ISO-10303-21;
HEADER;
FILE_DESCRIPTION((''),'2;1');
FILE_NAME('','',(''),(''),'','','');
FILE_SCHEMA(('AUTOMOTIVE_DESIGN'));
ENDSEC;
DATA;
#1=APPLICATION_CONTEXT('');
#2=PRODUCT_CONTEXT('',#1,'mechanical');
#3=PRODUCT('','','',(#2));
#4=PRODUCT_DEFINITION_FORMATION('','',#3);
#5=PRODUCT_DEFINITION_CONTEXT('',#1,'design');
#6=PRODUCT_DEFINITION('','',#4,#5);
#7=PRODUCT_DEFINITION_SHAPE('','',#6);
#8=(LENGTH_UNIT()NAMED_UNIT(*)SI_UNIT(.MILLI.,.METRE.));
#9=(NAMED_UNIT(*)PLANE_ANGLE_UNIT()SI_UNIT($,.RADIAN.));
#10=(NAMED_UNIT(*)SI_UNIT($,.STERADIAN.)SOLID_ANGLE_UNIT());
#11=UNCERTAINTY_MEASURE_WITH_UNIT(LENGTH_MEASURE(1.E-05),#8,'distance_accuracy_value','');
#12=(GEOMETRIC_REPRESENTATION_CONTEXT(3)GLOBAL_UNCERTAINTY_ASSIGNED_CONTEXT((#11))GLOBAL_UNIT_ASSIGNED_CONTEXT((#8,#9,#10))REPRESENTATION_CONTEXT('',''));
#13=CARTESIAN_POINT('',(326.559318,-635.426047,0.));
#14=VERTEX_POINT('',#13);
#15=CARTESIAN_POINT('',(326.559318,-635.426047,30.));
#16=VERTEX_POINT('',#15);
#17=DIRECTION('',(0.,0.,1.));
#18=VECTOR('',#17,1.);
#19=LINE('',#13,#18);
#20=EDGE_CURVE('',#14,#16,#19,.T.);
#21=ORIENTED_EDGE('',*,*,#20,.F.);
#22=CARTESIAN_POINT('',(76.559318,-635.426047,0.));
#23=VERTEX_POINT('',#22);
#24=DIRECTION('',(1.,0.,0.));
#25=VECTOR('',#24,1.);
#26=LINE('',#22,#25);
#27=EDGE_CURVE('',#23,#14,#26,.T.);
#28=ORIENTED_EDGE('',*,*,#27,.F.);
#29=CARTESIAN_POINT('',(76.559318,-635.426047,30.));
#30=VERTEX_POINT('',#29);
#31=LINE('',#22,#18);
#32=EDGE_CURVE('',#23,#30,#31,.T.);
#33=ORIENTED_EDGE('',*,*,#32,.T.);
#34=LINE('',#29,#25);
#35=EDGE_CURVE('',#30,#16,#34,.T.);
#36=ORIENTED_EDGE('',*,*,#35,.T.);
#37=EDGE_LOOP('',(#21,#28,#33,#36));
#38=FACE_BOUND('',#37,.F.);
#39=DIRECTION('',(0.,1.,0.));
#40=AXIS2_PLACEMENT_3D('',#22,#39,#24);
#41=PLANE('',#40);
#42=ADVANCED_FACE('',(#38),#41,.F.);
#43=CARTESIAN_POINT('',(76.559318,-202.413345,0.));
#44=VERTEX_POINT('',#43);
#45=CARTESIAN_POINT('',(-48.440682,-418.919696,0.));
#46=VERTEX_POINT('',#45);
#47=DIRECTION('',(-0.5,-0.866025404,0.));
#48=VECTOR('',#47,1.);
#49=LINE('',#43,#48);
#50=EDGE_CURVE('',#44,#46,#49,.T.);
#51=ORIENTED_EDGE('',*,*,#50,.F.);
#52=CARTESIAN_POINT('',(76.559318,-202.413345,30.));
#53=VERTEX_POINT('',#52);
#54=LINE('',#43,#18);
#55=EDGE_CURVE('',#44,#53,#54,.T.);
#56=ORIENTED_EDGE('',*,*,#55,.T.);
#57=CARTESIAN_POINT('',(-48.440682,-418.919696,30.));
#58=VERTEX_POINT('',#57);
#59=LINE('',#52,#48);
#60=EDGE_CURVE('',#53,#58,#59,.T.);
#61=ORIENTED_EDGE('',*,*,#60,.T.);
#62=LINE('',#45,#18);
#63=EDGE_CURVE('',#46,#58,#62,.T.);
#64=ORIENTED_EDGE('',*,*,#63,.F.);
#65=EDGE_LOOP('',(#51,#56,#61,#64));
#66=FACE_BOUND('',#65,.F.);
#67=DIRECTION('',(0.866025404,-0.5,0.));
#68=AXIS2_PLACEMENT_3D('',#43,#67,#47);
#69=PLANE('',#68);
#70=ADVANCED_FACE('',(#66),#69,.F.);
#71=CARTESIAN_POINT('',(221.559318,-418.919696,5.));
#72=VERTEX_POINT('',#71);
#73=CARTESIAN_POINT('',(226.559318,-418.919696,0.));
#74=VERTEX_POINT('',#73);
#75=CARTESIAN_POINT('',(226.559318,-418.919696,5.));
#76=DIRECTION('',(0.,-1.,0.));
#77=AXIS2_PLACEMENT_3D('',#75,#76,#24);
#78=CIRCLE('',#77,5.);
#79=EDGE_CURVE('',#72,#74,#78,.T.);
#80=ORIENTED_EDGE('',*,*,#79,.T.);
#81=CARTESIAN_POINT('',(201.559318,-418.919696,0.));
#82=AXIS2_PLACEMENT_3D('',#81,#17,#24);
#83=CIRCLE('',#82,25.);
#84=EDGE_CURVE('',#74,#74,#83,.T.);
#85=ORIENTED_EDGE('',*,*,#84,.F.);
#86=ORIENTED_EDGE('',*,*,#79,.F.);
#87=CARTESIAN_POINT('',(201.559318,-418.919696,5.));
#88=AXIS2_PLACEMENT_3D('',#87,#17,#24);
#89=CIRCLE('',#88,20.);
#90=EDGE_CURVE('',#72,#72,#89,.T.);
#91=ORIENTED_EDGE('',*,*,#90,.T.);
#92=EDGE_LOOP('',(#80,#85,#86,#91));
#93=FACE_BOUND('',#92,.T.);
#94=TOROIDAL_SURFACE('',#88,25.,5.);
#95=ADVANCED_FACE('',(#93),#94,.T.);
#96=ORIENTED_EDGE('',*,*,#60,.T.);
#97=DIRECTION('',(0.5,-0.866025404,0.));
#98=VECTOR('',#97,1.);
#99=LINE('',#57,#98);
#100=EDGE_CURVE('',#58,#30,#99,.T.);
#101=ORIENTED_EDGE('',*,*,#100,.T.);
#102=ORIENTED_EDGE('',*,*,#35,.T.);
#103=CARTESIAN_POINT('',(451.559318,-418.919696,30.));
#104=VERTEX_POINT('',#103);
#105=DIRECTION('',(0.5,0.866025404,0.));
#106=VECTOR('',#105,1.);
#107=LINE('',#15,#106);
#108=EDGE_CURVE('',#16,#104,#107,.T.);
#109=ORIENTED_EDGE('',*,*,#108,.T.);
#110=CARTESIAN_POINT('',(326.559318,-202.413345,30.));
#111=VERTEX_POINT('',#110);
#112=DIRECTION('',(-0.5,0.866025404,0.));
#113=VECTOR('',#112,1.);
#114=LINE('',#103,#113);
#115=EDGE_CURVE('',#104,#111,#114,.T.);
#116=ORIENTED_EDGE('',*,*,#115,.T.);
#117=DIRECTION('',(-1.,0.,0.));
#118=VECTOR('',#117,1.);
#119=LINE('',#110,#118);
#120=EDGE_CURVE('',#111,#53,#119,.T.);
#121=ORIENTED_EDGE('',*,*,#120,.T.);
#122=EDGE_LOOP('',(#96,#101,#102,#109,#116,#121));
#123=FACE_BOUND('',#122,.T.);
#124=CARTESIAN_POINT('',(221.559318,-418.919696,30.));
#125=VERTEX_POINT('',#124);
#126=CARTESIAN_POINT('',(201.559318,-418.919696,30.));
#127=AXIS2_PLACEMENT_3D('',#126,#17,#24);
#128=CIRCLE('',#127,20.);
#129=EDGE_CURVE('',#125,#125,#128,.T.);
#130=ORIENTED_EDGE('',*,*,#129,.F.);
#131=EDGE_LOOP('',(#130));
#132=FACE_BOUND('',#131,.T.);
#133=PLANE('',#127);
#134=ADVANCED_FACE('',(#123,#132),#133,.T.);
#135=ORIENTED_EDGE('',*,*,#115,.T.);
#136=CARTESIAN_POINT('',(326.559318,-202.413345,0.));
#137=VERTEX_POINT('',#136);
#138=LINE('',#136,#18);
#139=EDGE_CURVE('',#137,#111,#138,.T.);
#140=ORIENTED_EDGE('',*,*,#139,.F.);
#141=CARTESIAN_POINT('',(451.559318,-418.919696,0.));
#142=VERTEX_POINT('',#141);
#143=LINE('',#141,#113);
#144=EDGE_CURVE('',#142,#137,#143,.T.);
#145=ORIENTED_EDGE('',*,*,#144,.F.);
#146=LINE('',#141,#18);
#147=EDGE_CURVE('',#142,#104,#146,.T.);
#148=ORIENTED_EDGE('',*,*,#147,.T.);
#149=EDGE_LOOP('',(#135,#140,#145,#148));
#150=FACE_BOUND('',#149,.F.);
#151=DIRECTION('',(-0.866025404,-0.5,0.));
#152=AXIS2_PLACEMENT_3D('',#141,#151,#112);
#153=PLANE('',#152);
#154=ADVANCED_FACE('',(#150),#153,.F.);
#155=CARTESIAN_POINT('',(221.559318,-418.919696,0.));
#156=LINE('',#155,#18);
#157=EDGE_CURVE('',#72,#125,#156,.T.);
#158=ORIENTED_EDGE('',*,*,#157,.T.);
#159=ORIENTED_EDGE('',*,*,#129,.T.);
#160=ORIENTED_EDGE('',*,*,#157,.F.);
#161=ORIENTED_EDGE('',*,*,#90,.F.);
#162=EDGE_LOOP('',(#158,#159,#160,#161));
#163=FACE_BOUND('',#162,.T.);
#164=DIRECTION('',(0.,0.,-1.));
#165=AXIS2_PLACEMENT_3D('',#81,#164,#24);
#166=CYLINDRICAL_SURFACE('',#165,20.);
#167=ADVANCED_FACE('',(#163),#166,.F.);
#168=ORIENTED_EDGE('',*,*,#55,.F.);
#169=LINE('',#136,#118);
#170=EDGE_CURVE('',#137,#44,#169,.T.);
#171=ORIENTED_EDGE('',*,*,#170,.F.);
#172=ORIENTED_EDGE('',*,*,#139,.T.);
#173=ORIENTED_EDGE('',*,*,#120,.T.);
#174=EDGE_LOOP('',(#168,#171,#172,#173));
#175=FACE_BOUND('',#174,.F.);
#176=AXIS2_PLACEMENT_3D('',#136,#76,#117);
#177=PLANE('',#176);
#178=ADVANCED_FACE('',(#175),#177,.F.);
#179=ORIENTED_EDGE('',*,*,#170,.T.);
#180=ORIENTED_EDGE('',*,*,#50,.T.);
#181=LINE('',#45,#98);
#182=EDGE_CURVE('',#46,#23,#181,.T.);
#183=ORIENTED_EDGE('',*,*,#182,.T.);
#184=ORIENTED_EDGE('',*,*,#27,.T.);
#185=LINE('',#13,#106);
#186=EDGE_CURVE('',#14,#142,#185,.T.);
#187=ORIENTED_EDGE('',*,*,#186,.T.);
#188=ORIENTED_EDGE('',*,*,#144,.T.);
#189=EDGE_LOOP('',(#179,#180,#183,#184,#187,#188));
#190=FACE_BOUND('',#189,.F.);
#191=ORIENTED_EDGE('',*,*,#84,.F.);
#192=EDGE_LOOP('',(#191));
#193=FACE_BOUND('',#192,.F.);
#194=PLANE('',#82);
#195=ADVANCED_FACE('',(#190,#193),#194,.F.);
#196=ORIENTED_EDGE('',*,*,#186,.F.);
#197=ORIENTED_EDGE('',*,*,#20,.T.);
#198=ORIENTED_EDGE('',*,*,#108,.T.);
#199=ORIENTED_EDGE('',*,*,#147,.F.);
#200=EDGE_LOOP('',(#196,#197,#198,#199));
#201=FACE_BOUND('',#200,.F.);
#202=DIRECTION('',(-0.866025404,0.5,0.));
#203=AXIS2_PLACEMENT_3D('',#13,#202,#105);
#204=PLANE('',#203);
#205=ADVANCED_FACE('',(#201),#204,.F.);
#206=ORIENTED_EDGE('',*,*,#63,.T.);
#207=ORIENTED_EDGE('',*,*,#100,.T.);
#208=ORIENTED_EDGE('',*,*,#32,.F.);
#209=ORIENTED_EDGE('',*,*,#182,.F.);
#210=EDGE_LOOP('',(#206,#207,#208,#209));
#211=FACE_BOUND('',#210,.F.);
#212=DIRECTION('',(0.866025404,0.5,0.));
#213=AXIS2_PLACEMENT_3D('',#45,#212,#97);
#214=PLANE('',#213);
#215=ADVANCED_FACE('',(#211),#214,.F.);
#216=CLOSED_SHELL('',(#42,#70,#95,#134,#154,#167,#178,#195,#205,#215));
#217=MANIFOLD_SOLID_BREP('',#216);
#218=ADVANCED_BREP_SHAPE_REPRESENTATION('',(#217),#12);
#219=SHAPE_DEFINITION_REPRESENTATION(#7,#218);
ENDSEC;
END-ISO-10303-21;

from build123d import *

# Parameters (mm, degrees)
F0_R     = 20
F1_DEPTH = 30
F2_R     = 5


with BuildPart() as f1:
    # F0 (on Top) → F1 (new body)
    with BuildSketch(Plane.XY):
        Polygon((-48.440682, -418.919696), (76.559318, -635.426047), (326.559318, -635.426047), (451.559318, -418.919696), (326.559318, -202.413345), (76.559318, -202.413345), align=None)
        with Locations((201.559318, -418.919696)):
            Circle(F0_R, mode=Mode.SUBTRACT)
    extrude(amount=F1_DEPTH)

    # F2
    f2_edges = [f1.edges().sort_by_distance(p)[0] for p in [
        (181.559318, -418.919696, 0),
    ]]
    fillet(f2_edges, radius=F2_R)


solid = f1.part
